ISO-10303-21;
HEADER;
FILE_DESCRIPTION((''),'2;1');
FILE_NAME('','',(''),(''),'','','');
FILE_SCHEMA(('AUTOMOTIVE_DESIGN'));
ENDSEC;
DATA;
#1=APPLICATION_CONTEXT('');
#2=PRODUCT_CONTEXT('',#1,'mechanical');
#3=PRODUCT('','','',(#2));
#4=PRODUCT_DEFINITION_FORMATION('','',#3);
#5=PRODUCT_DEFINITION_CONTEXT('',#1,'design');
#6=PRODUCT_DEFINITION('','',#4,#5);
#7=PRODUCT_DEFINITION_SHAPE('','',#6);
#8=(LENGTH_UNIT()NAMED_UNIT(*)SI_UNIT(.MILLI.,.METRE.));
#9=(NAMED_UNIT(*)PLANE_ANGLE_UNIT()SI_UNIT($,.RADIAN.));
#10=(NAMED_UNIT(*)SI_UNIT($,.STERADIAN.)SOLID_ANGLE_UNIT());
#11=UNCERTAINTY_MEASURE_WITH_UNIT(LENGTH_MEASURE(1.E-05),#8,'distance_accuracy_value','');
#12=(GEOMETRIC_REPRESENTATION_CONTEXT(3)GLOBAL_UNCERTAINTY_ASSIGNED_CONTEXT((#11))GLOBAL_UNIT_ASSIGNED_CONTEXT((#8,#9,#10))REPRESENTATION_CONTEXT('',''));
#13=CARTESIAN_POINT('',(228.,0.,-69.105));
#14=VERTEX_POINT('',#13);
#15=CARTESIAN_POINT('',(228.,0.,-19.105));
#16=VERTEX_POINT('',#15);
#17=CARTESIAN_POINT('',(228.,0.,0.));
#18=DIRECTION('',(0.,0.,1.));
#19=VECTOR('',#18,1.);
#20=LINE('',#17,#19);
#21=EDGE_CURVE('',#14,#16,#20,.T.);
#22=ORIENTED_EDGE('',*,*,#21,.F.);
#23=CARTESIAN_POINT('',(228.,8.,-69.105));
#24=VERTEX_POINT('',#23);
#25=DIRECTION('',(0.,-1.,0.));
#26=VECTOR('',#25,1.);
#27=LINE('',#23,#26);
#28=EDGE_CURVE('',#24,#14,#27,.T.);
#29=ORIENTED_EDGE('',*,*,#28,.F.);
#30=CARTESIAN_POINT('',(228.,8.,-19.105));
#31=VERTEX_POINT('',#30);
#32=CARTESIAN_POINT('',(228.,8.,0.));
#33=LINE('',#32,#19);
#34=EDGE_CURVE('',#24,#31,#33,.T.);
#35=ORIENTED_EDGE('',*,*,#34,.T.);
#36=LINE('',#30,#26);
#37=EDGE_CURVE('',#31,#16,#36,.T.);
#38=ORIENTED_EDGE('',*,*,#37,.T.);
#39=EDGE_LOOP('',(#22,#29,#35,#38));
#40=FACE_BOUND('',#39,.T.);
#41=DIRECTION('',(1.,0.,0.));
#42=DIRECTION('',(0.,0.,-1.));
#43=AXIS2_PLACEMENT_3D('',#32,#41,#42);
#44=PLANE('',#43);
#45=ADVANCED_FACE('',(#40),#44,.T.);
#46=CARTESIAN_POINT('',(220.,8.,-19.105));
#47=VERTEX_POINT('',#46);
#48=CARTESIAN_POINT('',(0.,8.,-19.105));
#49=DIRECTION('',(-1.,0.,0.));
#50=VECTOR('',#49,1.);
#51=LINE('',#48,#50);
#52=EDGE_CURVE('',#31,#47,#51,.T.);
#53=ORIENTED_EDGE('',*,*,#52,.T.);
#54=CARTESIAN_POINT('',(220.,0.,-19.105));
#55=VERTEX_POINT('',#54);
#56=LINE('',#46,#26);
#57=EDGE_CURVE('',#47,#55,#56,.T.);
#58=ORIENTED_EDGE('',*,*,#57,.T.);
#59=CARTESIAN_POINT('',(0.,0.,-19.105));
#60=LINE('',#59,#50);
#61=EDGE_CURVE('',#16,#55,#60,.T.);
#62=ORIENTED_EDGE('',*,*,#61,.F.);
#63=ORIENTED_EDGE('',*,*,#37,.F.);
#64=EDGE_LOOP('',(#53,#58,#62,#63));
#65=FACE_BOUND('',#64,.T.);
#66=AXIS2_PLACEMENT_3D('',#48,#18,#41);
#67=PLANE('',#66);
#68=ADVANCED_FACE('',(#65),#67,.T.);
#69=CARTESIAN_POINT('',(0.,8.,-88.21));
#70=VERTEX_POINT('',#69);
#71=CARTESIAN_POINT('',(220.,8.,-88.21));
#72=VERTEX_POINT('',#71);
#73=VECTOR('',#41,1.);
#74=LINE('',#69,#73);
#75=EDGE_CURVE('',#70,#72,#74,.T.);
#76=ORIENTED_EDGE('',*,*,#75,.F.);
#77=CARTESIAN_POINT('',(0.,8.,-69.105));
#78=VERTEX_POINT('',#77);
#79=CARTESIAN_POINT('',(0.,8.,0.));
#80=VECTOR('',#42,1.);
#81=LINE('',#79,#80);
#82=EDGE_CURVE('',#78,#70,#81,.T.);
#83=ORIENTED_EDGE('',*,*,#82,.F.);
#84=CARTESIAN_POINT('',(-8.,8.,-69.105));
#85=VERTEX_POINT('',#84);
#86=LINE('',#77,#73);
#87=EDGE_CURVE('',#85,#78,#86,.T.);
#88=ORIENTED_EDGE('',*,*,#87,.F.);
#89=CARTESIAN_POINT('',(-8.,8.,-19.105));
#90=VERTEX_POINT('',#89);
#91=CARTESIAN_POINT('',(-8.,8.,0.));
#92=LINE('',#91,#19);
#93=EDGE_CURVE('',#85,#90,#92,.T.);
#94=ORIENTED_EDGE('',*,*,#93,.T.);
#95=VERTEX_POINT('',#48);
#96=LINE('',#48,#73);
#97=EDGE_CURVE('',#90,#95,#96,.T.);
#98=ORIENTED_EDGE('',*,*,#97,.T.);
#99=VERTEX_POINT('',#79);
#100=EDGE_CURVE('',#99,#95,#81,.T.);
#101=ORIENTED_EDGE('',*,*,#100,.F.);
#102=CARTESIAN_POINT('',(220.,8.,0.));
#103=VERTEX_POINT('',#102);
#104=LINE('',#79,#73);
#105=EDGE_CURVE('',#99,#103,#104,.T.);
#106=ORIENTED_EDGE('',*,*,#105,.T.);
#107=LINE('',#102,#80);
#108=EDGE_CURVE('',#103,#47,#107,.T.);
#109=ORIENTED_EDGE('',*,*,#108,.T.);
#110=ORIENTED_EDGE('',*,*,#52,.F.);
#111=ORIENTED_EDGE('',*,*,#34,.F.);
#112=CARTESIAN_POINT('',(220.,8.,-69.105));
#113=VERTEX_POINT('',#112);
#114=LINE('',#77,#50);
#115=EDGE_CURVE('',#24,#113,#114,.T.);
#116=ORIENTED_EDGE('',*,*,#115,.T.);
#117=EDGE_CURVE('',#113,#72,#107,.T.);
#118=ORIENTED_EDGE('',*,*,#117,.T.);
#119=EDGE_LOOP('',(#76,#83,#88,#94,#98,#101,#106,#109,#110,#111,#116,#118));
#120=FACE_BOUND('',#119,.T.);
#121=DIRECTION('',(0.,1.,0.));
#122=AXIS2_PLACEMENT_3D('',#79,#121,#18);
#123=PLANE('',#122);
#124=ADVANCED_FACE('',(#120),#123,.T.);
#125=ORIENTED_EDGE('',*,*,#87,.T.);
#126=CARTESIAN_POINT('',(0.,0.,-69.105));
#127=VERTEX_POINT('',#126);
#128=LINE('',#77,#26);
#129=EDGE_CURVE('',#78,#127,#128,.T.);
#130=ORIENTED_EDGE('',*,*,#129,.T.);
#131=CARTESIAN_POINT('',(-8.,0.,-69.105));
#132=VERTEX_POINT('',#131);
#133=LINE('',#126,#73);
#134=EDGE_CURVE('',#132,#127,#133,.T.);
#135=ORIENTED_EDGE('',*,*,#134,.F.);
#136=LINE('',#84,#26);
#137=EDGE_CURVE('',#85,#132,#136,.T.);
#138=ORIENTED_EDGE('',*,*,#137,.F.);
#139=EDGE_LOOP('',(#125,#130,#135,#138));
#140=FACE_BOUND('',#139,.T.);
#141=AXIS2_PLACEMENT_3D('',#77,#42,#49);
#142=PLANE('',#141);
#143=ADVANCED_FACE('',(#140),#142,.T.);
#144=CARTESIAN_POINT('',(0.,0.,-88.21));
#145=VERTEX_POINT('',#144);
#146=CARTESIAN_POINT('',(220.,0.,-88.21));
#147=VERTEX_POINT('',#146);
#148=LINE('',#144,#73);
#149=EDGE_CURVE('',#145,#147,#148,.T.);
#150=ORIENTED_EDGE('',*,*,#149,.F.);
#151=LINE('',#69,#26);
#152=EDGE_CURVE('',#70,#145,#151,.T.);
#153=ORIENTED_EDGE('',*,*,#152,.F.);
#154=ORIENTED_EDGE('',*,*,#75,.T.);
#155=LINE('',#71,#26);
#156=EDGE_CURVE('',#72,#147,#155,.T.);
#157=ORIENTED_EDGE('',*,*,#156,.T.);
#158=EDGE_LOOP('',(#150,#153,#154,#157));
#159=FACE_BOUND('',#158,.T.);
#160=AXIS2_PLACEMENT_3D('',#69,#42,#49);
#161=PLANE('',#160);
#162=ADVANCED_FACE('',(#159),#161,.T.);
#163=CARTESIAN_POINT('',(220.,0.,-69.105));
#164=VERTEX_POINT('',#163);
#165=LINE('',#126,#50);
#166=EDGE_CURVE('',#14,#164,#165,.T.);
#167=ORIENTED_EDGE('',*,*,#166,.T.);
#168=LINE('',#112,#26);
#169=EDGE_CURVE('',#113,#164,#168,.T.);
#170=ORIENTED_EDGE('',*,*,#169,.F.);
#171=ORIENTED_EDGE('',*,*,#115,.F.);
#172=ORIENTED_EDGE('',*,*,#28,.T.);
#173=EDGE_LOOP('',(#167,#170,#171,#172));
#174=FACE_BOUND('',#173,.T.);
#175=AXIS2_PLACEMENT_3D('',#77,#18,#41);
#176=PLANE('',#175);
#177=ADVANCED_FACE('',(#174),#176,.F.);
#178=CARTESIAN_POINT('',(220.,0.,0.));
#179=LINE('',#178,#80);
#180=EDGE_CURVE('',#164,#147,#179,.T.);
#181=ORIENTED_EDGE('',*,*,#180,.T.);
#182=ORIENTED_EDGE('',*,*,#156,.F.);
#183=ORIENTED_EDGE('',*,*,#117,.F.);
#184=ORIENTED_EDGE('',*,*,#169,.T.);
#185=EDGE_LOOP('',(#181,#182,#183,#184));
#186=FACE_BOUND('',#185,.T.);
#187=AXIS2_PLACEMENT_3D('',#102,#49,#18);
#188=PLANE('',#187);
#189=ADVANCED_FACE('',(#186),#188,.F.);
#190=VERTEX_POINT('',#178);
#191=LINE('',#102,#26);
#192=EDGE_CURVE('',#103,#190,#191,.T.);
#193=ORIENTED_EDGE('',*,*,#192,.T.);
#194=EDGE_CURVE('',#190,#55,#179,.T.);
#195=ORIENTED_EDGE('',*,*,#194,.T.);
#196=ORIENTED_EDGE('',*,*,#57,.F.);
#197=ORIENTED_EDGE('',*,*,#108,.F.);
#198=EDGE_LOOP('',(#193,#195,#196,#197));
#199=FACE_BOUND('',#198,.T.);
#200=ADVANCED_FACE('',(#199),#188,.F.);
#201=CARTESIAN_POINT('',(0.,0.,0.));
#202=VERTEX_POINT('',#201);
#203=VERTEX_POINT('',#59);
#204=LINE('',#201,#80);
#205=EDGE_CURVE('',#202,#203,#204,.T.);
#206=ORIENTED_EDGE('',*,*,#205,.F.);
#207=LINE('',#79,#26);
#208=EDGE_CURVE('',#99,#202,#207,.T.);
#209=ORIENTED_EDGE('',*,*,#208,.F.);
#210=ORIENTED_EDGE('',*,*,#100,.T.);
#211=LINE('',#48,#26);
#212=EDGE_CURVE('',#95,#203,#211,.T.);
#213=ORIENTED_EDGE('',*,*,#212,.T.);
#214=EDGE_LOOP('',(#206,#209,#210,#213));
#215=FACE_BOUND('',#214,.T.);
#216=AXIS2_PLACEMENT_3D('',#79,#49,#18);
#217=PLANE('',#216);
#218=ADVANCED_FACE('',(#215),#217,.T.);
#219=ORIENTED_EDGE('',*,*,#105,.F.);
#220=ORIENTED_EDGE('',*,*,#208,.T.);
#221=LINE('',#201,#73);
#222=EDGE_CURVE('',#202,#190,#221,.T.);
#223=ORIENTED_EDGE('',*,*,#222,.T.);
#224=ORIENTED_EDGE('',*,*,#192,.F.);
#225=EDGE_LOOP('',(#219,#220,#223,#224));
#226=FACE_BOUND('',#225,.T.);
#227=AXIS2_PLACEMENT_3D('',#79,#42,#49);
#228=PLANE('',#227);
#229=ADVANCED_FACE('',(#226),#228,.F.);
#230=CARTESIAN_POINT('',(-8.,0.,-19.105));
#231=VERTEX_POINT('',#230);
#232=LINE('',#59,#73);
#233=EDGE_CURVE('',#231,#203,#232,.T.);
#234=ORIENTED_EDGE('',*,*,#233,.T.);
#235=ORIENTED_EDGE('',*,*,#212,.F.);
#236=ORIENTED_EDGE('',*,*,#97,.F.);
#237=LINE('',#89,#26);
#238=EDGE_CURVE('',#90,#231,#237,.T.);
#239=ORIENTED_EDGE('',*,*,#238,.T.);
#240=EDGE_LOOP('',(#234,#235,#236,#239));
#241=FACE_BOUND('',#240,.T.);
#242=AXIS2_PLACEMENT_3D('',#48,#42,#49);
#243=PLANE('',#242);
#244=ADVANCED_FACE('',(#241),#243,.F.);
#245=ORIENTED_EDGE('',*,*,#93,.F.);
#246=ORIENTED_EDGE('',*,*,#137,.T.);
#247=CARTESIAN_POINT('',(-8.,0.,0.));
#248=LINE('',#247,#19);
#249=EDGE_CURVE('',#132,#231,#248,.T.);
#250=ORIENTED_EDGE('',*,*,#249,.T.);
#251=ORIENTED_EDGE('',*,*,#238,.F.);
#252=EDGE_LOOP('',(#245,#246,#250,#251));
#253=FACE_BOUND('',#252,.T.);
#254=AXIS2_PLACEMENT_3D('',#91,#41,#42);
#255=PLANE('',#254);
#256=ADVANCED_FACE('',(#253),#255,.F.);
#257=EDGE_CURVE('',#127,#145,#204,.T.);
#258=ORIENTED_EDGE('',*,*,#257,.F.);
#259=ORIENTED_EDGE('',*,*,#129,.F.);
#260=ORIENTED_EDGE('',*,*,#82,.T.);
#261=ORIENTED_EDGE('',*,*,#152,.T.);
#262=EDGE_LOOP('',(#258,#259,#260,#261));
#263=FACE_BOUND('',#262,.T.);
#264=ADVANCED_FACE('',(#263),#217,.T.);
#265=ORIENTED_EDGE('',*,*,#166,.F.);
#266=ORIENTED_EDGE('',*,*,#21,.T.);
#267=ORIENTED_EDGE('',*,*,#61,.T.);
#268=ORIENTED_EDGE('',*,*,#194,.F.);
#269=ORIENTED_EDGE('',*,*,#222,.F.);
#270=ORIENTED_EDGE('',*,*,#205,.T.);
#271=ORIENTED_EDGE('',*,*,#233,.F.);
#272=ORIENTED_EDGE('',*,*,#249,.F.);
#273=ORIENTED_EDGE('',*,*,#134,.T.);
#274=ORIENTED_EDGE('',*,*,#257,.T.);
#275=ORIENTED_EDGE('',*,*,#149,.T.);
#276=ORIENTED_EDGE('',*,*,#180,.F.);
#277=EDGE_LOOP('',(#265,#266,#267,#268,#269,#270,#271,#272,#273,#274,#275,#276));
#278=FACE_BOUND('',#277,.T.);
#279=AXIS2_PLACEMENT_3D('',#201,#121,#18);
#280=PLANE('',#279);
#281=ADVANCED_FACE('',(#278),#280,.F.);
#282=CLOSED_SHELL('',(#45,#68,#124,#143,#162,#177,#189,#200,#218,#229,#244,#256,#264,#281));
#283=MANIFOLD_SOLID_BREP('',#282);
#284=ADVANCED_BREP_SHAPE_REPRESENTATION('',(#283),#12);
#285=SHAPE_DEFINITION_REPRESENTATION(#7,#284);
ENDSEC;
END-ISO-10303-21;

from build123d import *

# Parameters (mm, degrees)
SKETCH1_W           = 8
SKETCH1_H           = 50
BOSS_EXTRUDE1_DEPTH = 8


with BuildPart() as part:
    # Sketch1 → Boss-Extrude1 (new body)
    with BuildSketch(Plane(origin=(0, 0, 0), x_dir=(1, 0, 0), z_dir=(0, 1, 0))):
        with Locations((-4, 44.105)):
            Rectangle(SKETCH1_W, SKETCH1_H)
        Polygon((110, 0), (110, 88.21), (0, 88.21), (0, 69.105), (0, 19.105), (0, 0), align=None)
        Polygon((220, 88.21), (110, 88.21), (110, 0), (220, 0), (220, 19.105), (220, 69.105), align=None)
        with Locations((224, 44.105)):
            Rectangle(SKETCH1_W, SKETCH1_H)
    extrude(amount=BOSS_EXTRUDE1_DEPTH)


solid = part.part
